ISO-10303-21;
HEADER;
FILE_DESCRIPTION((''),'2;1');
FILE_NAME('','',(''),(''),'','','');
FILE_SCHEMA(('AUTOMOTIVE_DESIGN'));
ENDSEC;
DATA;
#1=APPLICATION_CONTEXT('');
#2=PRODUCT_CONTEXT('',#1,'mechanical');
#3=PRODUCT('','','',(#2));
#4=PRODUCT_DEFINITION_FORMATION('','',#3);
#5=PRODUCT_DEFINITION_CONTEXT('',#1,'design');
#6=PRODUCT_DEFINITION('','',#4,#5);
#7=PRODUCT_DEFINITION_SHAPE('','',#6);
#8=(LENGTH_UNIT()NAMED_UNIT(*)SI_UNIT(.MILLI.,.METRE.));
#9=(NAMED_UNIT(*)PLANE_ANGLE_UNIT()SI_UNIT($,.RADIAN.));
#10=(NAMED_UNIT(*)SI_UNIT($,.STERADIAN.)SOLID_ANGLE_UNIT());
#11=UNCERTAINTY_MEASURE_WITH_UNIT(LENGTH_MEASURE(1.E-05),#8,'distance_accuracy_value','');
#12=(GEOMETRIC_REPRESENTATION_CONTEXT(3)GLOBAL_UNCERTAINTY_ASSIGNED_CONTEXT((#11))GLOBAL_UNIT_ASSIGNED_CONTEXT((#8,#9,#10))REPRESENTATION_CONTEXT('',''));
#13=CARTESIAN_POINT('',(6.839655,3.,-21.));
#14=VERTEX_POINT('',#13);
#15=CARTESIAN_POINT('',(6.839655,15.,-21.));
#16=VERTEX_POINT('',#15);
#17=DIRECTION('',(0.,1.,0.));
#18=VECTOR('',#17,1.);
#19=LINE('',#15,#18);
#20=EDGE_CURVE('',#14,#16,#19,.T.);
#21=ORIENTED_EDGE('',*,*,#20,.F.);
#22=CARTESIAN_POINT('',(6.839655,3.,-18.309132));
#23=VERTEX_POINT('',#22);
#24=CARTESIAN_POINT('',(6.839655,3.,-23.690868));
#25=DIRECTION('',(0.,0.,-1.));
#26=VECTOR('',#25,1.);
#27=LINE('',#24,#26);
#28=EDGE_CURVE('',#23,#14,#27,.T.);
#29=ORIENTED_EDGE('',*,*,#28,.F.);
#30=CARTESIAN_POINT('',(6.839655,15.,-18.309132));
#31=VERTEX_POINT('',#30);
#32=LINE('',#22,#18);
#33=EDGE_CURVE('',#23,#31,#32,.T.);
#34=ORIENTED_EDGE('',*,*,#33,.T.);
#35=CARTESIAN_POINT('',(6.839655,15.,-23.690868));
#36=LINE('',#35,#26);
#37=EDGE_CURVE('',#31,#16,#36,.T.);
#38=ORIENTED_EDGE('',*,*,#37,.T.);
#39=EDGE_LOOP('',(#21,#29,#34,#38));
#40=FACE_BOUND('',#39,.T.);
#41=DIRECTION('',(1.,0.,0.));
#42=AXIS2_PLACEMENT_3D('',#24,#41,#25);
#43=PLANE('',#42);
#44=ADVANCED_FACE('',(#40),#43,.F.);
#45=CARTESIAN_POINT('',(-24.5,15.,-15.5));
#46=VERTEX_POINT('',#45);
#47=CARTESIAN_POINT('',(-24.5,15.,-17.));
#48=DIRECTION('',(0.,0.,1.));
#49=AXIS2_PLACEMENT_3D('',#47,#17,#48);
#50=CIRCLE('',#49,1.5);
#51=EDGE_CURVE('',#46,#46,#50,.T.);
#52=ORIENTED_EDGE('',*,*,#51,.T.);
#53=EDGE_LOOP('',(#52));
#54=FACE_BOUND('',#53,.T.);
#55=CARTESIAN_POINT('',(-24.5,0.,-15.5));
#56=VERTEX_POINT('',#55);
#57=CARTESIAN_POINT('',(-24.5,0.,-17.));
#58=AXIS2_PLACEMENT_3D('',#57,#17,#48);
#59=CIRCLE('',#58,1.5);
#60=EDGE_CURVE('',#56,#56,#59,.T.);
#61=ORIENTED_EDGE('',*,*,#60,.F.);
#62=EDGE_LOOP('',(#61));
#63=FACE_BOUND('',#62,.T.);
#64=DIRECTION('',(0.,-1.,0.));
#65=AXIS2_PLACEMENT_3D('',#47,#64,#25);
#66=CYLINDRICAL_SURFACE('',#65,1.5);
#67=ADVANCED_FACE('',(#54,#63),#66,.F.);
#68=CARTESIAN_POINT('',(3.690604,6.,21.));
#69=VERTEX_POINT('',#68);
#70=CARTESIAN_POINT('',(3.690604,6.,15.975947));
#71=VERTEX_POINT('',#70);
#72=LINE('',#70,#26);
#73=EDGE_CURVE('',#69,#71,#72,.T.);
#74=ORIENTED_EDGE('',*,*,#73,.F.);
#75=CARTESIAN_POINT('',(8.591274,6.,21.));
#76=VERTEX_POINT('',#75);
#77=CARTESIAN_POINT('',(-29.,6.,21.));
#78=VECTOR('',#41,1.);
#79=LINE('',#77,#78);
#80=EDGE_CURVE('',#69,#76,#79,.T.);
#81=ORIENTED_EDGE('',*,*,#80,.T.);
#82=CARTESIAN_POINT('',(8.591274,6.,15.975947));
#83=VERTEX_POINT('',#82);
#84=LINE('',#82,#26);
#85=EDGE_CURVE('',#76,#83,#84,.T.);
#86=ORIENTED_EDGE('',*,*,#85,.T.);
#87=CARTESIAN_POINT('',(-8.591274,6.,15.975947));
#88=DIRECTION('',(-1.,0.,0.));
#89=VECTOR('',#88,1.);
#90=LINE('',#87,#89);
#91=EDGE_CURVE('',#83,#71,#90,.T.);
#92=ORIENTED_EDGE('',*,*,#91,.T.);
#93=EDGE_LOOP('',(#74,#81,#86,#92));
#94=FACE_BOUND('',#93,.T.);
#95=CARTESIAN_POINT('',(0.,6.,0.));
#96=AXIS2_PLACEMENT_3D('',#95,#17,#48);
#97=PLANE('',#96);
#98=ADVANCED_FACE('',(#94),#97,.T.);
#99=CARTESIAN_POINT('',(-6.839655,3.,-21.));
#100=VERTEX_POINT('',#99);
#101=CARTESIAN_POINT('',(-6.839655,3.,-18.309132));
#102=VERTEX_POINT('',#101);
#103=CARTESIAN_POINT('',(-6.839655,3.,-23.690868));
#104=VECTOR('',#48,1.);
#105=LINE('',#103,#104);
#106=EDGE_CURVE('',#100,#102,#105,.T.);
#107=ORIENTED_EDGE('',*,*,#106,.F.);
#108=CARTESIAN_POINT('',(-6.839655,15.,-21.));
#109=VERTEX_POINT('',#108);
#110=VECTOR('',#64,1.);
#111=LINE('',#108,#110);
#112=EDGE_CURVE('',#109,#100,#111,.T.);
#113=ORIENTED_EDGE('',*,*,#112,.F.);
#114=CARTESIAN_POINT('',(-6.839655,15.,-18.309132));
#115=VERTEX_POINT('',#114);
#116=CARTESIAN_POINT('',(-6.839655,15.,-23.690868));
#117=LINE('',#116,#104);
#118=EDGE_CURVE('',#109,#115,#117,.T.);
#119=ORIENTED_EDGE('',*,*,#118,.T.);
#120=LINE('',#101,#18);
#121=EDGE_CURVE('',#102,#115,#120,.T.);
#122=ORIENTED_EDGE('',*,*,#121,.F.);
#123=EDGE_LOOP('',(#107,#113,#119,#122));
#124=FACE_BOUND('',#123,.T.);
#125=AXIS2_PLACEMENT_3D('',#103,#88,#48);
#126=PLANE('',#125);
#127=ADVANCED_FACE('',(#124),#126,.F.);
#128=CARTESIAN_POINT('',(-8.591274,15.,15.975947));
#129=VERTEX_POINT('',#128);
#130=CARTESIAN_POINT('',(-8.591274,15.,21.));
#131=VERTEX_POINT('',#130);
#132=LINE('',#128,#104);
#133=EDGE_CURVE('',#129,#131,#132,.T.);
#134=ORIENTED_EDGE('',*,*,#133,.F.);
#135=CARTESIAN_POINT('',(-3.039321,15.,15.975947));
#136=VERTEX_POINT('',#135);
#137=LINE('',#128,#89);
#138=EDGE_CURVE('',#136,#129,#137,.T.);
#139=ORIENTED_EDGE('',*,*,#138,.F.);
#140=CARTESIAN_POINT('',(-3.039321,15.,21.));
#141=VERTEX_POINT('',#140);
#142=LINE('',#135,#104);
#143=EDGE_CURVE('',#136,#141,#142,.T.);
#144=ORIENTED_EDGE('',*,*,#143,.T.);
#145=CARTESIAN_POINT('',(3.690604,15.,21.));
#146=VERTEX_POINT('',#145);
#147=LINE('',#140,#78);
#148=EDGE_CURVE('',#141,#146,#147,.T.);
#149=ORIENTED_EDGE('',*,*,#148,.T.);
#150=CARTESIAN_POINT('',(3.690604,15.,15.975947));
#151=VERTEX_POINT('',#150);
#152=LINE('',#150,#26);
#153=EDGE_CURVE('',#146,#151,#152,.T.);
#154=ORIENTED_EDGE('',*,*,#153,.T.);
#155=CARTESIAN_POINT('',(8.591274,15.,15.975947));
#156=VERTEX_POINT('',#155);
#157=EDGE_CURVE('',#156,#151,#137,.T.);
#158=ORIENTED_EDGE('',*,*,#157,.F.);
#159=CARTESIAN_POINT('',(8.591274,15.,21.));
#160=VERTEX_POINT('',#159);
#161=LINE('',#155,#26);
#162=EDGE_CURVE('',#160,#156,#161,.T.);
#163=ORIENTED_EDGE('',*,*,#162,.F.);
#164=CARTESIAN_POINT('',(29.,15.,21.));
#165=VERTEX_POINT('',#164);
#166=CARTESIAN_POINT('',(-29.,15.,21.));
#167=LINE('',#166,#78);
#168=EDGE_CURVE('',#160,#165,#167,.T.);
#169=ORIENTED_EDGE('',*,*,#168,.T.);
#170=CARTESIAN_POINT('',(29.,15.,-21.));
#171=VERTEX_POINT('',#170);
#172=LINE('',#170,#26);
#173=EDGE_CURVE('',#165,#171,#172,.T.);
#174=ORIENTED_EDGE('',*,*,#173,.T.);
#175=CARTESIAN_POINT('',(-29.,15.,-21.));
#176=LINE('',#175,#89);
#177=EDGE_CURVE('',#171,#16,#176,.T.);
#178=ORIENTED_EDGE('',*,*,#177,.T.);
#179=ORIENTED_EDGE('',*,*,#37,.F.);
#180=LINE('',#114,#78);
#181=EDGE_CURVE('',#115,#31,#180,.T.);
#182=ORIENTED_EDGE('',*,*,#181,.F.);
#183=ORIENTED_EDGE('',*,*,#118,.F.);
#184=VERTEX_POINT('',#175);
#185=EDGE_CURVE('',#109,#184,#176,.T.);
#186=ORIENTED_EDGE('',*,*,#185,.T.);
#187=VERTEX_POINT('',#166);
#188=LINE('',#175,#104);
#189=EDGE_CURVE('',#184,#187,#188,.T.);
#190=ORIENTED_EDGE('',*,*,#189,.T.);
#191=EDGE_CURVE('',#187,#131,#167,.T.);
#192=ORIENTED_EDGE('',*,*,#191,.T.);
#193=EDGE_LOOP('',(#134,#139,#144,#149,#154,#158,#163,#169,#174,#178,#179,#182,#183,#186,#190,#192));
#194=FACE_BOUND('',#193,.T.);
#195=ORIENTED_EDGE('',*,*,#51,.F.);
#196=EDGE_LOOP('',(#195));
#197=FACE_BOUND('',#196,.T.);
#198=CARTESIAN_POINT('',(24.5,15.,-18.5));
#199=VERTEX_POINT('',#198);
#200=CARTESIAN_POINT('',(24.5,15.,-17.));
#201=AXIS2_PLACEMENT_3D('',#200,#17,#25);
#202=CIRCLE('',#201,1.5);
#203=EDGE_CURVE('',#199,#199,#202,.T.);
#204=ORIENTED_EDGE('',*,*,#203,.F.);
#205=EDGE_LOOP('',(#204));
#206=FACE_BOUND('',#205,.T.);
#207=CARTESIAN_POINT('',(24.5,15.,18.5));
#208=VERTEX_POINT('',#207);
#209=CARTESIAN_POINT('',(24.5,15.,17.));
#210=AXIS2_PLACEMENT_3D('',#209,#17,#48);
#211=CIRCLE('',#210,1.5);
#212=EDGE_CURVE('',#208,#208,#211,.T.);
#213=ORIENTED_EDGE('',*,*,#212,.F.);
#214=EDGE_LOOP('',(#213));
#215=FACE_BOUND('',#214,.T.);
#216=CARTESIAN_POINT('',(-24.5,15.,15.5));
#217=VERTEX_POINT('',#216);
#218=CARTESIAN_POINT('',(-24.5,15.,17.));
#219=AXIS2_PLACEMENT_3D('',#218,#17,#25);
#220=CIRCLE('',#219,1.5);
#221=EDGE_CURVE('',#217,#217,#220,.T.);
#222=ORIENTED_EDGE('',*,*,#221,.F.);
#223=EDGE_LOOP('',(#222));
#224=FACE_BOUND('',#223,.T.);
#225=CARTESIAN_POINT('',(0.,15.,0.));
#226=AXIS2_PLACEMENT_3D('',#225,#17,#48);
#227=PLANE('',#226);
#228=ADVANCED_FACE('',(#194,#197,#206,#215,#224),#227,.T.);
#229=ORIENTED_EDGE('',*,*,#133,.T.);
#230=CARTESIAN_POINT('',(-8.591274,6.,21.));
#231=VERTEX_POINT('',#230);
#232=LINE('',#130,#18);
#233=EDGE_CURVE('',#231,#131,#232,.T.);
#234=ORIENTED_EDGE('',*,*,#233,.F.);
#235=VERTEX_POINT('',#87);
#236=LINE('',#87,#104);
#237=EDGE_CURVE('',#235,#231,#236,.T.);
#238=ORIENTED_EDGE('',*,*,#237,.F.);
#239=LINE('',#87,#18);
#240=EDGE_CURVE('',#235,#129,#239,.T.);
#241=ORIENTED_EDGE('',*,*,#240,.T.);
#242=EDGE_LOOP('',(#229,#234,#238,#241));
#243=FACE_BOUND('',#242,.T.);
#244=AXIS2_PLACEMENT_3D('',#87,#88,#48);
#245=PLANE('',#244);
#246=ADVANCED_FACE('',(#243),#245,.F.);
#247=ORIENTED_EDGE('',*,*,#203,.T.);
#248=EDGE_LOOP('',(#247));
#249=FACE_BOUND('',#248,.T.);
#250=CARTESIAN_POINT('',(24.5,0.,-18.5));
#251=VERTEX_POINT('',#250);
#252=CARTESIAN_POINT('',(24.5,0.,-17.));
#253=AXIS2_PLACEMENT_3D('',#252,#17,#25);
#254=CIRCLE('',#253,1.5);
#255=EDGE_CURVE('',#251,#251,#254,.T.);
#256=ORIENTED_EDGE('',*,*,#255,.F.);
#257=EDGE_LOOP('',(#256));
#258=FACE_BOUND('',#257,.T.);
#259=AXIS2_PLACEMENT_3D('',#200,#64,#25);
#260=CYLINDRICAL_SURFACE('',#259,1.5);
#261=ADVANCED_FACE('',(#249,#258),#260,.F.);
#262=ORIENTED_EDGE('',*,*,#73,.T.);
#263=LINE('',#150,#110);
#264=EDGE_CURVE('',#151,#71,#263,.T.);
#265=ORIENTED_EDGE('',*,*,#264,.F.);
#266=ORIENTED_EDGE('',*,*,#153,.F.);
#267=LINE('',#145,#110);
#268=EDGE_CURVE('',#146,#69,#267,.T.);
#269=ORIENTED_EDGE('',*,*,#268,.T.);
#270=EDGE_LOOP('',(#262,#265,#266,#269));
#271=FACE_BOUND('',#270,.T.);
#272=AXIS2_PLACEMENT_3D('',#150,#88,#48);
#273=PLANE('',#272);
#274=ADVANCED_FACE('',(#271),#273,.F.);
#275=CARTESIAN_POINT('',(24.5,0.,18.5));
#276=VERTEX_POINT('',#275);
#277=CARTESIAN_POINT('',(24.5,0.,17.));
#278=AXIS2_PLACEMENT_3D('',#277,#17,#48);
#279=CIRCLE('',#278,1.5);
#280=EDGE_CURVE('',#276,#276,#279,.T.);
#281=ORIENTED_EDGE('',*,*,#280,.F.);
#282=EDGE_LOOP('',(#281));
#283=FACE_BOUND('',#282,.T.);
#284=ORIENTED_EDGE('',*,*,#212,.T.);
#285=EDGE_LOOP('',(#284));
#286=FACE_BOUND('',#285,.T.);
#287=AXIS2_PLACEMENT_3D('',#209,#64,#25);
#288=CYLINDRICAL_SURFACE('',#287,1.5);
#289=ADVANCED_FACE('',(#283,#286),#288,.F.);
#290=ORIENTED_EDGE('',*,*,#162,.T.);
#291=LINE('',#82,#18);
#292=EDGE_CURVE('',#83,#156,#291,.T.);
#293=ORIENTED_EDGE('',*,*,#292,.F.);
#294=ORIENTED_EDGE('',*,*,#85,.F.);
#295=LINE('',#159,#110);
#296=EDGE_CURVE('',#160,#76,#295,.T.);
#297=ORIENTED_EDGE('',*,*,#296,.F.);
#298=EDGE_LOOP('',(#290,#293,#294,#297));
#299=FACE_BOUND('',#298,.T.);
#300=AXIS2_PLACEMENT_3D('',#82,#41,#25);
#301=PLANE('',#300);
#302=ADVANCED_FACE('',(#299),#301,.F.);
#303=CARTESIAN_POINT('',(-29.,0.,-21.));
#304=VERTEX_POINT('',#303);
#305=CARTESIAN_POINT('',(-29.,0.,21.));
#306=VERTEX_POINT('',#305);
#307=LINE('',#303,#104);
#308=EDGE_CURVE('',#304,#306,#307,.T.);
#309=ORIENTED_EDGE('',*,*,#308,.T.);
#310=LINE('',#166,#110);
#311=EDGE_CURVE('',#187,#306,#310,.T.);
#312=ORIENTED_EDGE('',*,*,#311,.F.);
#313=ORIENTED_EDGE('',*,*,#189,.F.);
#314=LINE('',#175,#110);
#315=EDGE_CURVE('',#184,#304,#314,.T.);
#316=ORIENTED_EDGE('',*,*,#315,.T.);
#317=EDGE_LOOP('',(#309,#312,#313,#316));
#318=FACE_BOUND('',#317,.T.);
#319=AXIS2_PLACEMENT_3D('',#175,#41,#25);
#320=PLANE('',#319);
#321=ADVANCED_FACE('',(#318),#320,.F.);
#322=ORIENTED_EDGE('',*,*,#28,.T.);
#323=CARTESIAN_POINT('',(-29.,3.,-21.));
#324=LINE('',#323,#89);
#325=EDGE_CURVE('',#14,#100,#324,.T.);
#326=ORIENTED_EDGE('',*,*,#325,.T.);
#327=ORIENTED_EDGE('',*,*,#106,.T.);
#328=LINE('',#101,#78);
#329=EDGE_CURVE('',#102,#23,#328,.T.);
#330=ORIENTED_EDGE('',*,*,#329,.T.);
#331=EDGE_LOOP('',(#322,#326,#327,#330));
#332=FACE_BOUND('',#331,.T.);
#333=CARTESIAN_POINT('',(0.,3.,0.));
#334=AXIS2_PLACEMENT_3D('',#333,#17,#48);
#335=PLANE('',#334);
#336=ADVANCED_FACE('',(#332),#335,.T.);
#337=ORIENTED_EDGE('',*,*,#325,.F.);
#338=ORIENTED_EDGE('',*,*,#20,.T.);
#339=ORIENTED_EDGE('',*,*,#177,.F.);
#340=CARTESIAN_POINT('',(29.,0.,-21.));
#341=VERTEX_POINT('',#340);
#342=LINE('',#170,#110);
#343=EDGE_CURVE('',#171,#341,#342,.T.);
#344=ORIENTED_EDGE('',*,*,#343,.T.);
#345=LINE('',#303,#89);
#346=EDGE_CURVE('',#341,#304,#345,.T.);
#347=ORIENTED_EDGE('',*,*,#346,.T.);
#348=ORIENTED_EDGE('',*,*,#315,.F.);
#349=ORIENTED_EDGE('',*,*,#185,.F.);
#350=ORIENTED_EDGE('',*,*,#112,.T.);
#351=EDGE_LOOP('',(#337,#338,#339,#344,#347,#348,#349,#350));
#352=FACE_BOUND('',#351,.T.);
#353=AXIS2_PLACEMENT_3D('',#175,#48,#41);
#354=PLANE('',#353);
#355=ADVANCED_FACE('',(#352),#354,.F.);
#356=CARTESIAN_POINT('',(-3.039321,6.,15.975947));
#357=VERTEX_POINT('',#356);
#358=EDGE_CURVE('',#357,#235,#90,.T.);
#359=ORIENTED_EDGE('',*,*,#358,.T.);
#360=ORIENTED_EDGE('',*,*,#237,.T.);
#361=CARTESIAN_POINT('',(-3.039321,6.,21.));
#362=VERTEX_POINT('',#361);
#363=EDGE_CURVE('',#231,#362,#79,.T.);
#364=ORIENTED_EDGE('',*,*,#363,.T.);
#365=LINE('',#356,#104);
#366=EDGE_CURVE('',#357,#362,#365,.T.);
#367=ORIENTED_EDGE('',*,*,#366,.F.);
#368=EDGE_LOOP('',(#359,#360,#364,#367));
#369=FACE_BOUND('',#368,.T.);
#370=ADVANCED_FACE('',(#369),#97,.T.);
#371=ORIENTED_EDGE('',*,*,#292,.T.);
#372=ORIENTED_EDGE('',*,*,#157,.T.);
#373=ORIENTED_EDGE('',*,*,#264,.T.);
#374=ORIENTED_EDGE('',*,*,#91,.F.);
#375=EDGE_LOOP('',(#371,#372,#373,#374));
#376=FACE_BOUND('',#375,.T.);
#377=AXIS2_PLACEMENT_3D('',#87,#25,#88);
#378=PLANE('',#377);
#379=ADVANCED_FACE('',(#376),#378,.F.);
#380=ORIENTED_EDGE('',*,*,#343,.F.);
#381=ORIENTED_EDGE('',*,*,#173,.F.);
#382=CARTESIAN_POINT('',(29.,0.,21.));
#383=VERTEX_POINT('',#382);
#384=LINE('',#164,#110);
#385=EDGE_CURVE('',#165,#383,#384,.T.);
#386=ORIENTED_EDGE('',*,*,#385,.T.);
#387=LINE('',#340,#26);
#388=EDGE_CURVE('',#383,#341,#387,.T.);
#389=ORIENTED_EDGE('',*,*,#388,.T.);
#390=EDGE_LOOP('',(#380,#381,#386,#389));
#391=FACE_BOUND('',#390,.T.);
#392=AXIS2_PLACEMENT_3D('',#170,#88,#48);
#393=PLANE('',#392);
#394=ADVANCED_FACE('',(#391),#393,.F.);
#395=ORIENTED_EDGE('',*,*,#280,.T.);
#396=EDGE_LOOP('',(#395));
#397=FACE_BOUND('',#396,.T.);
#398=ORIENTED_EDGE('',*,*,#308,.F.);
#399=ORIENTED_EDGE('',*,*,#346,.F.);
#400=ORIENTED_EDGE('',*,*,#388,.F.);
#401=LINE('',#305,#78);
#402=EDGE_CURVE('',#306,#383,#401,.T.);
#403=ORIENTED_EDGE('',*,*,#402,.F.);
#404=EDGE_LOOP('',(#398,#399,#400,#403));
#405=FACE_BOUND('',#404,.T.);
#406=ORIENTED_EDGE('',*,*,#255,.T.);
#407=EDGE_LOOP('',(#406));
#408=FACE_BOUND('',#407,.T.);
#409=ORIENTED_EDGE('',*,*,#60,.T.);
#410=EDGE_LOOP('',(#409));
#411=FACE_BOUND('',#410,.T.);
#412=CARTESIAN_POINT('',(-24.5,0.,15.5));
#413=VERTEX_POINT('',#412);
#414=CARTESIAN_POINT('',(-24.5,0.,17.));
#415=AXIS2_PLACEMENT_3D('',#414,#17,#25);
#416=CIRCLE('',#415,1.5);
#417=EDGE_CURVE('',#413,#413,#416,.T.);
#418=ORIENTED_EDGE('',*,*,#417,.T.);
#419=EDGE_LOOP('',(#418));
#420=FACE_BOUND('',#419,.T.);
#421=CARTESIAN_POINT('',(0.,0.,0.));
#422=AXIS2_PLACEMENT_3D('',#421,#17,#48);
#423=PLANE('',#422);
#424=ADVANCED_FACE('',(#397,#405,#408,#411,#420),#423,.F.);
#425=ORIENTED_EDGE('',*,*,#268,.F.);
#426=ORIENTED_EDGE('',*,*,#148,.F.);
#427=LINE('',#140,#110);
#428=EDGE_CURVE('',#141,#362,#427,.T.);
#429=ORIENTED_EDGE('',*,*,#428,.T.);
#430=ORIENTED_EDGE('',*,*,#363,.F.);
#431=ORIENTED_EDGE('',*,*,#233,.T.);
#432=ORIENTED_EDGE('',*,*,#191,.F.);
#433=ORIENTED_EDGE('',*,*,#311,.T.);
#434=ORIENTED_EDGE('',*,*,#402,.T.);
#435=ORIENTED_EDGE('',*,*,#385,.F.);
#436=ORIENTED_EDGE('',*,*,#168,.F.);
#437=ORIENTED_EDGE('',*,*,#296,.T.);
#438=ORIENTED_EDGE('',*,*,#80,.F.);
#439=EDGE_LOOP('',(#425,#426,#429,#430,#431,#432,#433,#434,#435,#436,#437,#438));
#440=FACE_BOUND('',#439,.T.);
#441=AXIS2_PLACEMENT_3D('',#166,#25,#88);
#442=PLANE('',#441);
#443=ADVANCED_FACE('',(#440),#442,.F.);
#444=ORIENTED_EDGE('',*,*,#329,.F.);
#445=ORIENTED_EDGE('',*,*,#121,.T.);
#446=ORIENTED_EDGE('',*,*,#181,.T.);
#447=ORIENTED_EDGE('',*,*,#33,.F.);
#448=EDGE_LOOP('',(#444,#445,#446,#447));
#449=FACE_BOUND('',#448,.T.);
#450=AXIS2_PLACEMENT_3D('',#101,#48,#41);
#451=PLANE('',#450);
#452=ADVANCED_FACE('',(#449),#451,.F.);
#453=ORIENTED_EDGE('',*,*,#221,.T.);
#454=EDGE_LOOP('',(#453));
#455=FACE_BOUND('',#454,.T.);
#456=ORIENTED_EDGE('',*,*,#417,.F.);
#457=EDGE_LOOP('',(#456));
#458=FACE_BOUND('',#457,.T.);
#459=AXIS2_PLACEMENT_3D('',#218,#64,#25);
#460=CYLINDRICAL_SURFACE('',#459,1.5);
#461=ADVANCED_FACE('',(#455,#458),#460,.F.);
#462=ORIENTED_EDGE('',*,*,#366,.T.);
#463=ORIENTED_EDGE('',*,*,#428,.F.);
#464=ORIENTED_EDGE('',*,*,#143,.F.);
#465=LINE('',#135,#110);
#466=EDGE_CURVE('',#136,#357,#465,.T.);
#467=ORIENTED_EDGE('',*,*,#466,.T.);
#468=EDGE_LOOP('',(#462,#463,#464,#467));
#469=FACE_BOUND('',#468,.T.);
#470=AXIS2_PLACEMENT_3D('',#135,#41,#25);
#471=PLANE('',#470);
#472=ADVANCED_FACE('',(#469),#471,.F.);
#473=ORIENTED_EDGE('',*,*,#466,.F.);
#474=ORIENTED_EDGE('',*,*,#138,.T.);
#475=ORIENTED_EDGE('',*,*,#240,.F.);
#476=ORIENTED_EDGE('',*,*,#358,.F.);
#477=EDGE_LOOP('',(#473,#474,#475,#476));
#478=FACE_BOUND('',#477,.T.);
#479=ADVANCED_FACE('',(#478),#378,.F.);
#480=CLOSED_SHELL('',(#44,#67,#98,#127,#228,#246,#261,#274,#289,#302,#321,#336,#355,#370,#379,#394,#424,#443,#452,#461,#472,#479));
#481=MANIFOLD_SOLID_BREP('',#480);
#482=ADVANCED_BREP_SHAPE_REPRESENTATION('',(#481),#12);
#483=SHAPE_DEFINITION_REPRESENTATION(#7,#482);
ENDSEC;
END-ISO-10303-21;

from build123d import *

# Parameters (mm, degrees)
SKETCH_1_W          = 58
SKETCH_1_H          = 42
SKETCH_1_R          = 1.5
EXTRUDE_1_DEPTH     = 15
SKETCH_2_W          = 13.679310014
SKETCH_2_H          = 5.381736476
CUT_EXTRUDE_1_DEPTH = 12
SKETCH_3_W          = 17.182547944
SKETCH_3_H          = 10.048106392
CUT_EXTRUDE_2_DEPTH = 9
SKETCH_4_W          = 6.72992405
SKETCH_4_H          = 5.024053196
EXTRUDE_2_DEPTH     = 9


with BuildPart() as part:
    # 草图1 → 凸台-拉伸1 (new body)
    with BuildSketch(Plane(origin=(0, 0, 0), x_dir=(1, 0, 0), z_dir=(0, 1, 0))):
        Rectangle(SKETCH_1_W, SKETCH_1_H)
        with Locations(Location((-24.5, 17, 0), (0, 0, 270))):
            Circle(SKETCH_1_R, mode=Mode.SUBTRACT)
        with Locations(Location((-24.5, -17, 0), (0, 0, 90))):
            Circle(SKETCH_1_R, mode=Mode.SUBTRACT)
        with Locations(Location((24.5, -17, 0), (0, 0, 270))):
            Circle(SKETCH_1_R, mode=Mode.SUBTRACT)
        with Locations(Location((24.5, 17, 0), (0, 0, 90))):
            Circle(SKETCH_1_R, mode=Mode.SUBTRACT)
    extrude(amount=EXTRUDE_1_DEPTH)

    # 草图2 → 切除-拉伸1 (cut)
    with BuildSketch(Plane(origin=(0, 15, 0), x_dir=(1, 0, 0), z_dir=(0, 1, 0))):
        with Locations((0, 21)):
            Rectangle(SKETCH_2_W, SKETCH_2_H)
    extrude(amount=-CUT_EXTRUDE_1_DEPTH, mode=Mode.SUBTRACT)

    # 草图3 → 切除-拉伸2 (cut)
    with BuildSketch(Plane(origin=(0, 15, 0), x_dir=(1, 0, 0), z_dir=(0, 1, 0))):
        with Locations((0, -21)):
            Rectangle(SKETCH_3_W, SKETCH_3_H)
    extrude(amount=-CUT_EXTRUDE_2_DEPTH, mode=Mode.SUBTRACT)

    # 草图4 → 凸台-拉伸2 (add)
    with BuildSketch(Plane(origin=(0, 6, 0), x_dir=(1, 0, 0), z_dir=(0, 1, 0))):
        with Locations((0.325641486, -18.487973402)):
            Rectangle(SKETCH_4_W, SKETCH_4_H)
    extrude(amount=EXTRUDE_2_DEPTH)


solid = part.part
